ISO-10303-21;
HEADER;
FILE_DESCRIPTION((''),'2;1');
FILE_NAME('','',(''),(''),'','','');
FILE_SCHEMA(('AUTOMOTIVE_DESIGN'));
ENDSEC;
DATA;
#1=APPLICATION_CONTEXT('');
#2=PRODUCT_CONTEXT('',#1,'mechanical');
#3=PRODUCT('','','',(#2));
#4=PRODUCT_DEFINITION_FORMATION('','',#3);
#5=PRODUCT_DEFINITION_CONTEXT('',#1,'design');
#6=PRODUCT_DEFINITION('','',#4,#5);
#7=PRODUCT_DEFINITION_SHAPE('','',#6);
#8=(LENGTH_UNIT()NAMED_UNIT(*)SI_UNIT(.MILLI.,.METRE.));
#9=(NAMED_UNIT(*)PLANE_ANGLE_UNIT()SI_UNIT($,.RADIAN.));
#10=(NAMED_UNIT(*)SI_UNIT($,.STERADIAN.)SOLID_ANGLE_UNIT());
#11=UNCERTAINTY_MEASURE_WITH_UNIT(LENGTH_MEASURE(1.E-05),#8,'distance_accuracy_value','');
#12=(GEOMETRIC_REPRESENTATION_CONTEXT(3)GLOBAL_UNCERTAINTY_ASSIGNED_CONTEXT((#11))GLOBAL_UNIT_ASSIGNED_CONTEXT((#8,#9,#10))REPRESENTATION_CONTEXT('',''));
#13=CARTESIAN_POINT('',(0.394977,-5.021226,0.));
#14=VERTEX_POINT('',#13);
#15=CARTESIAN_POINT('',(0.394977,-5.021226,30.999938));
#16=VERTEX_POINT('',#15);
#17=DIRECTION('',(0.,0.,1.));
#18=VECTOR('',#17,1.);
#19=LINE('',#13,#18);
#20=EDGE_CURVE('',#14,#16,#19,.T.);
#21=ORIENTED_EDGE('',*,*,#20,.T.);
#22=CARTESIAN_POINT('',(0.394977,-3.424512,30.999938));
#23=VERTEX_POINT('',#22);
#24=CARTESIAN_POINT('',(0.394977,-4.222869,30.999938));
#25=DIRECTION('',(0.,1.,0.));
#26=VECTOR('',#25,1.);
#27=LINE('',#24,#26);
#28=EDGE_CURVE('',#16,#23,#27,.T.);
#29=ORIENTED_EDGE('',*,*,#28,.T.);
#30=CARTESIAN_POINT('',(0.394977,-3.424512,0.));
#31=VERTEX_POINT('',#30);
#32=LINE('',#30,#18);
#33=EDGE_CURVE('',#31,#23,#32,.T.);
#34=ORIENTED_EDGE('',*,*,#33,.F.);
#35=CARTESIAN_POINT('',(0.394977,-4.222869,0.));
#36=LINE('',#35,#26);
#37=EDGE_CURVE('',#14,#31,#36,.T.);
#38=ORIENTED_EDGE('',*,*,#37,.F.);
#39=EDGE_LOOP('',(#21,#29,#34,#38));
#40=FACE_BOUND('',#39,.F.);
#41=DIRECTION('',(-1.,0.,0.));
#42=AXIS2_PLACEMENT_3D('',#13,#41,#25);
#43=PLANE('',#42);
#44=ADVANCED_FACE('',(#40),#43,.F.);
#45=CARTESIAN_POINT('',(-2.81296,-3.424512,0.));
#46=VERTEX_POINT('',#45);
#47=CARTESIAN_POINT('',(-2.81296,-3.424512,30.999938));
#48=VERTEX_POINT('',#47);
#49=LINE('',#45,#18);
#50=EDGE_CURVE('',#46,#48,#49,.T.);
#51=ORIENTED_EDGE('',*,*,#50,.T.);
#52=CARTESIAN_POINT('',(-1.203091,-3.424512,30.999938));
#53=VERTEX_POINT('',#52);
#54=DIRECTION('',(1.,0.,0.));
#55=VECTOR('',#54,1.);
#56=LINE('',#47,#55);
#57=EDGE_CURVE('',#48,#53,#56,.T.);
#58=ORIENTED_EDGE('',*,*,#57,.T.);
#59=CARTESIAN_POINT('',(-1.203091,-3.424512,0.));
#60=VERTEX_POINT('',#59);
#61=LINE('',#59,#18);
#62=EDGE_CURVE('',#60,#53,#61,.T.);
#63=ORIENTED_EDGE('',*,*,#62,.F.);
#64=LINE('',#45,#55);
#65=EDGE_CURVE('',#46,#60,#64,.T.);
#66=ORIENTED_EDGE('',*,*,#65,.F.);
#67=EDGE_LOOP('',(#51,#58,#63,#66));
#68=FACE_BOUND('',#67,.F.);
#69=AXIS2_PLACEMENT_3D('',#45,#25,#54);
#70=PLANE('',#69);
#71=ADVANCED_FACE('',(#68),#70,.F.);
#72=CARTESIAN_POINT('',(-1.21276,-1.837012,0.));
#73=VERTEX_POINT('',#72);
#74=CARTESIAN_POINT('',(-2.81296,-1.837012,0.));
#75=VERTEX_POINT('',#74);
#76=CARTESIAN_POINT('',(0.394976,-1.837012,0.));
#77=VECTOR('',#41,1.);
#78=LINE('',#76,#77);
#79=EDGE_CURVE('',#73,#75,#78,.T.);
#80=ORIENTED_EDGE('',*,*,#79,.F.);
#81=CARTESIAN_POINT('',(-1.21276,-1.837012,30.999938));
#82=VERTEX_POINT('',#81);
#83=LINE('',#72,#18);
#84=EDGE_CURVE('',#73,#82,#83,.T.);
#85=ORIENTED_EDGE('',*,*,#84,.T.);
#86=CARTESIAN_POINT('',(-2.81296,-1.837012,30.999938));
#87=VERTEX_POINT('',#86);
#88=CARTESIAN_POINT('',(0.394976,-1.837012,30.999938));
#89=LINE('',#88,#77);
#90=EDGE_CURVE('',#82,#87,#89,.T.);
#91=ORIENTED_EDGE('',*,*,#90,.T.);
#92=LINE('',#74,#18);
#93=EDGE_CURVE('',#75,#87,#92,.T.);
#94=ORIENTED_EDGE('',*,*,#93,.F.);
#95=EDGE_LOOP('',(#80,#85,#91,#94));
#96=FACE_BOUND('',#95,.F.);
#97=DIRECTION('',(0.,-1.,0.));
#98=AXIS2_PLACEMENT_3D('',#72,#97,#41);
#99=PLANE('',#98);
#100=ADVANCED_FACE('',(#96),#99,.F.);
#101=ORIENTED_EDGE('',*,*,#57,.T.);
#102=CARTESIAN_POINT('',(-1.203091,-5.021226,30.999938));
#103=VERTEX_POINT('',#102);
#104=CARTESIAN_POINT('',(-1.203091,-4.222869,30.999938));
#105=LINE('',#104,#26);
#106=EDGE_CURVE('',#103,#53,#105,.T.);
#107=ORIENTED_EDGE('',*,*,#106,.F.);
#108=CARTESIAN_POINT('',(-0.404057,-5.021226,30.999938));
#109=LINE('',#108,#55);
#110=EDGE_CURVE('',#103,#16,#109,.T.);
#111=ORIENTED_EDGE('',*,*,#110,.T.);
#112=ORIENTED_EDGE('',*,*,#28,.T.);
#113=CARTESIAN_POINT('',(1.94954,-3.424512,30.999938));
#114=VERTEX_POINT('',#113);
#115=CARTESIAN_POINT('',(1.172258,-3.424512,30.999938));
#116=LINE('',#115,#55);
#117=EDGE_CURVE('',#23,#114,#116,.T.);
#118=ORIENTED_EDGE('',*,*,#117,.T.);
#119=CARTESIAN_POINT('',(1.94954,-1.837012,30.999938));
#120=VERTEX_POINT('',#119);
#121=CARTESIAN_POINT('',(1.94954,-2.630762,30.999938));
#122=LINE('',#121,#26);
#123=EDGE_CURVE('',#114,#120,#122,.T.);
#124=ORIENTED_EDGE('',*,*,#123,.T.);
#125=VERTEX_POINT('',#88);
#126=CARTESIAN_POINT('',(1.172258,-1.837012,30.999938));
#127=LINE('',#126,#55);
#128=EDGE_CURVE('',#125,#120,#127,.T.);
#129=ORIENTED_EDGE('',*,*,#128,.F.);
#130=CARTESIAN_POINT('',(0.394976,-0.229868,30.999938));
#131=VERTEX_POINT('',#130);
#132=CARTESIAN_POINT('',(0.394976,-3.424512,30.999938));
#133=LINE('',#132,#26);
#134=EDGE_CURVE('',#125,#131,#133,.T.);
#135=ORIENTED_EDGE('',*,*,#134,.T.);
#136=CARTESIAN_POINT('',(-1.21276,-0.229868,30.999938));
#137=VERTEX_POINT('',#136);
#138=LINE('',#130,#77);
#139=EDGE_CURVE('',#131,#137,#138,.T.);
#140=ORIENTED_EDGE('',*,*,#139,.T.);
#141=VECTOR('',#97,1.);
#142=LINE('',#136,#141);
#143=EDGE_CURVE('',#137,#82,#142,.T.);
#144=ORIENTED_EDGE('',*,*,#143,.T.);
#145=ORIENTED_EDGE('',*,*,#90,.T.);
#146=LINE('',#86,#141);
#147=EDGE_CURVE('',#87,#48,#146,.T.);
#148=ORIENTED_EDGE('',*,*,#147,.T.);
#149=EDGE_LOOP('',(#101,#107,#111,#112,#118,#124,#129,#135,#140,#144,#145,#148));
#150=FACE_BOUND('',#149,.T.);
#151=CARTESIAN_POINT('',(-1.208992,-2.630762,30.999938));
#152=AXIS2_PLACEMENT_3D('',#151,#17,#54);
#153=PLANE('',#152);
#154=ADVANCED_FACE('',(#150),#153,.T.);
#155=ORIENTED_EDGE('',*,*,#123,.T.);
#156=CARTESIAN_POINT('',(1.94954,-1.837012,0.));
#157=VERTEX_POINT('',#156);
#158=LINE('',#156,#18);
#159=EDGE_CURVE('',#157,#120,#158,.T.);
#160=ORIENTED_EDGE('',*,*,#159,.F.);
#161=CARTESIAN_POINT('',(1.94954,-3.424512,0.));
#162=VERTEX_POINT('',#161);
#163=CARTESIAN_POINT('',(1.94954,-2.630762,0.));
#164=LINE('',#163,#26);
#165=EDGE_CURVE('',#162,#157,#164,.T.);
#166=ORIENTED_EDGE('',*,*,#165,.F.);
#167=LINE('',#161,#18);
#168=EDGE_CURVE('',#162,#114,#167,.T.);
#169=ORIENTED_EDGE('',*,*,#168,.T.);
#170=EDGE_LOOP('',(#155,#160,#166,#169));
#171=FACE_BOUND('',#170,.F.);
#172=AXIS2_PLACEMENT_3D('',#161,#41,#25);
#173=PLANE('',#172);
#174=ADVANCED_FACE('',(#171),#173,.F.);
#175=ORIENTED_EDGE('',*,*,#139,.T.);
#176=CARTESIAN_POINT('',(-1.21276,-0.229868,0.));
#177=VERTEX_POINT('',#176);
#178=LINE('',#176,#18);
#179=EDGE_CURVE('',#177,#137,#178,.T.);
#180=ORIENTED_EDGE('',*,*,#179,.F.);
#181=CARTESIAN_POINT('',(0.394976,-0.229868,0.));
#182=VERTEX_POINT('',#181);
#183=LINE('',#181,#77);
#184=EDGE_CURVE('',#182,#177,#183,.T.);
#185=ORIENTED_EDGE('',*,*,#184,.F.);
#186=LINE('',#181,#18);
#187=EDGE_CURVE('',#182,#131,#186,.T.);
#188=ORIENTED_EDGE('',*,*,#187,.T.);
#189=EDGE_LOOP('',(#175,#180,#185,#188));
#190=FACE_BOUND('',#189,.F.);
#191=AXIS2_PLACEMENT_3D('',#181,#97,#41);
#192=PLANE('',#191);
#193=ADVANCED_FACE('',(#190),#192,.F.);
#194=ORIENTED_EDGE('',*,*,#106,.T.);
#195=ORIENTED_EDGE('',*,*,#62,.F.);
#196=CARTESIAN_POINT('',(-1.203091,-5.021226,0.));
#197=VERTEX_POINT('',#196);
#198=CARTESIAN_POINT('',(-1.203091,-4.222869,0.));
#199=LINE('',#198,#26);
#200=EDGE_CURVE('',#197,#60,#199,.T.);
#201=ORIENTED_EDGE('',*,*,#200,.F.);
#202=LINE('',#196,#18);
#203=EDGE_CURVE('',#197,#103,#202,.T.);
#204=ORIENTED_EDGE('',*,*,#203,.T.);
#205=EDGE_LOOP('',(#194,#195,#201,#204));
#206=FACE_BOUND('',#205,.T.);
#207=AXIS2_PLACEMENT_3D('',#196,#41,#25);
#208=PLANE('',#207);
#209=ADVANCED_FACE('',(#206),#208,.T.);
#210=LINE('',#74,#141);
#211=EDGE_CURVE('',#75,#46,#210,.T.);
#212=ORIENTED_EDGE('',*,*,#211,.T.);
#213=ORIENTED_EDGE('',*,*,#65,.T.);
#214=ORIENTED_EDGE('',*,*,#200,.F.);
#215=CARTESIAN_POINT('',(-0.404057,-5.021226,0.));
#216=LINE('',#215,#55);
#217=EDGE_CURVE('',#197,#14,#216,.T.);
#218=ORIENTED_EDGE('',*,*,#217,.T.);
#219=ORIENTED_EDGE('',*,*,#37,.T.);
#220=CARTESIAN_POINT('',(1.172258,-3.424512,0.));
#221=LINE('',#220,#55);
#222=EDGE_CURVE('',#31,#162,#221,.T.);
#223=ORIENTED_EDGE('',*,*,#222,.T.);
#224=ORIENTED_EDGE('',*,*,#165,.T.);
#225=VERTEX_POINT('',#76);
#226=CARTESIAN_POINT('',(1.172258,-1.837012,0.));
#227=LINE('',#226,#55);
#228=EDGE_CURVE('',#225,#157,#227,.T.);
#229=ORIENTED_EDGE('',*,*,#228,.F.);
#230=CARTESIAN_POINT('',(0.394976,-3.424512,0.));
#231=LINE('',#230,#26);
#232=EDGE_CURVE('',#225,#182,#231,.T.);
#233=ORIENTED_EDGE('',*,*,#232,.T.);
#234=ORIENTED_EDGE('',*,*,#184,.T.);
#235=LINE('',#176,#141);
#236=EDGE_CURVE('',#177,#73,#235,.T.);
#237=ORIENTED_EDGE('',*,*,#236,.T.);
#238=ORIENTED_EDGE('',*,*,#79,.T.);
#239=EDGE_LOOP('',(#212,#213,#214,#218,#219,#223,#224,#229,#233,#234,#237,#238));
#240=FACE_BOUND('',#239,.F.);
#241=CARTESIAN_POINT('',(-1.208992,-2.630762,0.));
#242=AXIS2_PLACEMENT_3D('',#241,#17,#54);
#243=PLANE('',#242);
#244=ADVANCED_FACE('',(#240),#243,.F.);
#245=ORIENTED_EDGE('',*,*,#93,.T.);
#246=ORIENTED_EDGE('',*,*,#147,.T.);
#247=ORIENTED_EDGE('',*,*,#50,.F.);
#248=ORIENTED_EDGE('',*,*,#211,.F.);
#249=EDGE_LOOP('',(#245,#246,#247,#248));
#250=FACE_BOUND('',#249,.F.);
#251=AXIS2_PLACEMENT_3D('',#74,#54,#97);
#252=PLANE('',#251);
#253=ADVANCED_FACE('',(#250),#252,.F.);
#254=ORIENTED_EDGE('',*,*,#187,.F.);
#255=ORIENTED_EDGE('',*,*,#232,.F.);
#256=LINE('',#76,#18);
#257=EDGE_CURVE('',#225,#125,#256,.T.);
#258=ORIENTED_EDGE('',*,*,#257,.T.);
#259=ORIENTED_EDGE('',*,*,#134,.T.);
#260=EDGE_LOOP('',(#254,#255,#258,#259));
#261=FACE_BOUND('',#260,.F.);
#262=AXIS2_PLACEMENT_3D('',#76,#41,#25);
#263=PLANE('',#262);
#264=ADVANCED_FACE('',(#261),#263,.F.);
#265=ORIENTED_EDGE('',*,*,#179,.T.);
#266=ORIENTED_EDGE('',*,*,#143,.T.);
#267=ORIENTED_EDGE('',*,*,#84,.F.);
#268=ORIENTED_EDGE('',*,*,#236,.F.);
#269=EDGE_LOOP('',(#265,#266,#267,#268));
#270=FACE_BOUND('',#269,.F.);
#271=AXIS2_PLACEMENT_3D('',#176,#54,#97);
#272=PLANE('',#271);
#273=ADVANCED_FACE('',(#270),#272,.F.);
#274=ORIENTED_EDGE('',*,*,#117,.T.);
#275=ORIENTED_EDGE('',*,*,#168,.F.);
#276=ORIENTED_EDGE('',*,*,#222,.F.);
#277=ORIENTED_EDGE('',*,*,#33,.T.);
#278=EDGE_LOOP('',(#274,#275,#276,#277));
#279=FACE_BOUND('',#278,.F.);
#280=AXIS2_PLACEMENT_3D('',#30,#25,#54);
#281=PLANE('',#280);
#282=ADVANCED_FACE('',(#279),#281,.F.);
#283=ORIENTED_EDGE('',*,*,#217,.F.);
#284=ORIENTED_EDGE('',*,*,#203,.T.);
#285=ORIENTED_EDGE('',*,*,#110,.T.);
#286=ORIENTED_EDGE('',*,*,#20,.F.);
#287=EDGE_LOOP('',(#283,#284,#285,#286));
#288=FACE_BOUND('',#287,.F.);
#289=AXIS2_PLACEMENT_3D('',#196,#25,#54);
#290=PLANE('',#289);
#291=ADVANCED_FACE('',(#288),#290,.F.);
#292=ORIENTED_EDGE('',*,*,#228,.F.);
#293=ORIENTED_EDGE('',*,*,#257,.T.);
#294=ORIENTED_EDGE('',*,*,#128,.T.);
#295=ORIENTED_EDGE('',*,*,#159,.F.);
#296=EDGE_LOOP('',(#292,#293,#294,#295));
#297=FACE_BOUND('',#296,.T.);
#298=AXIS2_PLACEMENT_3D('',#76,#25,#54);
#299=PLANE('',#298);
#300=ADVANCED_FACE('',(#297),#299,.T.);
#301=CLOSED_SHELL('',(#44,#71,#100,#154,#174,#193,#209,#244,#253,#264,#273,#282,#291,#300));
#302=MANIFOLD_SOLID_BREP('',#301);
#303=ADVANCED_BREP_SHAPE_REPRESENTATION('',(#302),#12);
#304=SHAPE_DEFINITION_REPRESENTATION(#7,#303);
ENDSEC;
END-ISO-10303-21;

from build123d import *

# Parameters (mm, degrees)
F0_W     = 1.598067
F0_H     = 1.596714
F0_W_2   = 1.554564
F0_H_2   = 1.5875
F1_DEPTH = 30.999938


with BuildPart() as f1:
    # F0 (on Top) → F1 (new body)
    with BuildSketch(Plane.XY):
        Polygon((-1.21276, -1.837012), (-2.81296, -1.837012), (-2.81296, -3.424512), (-1.203091, -3.424512), (0.394976, -3.424512), (0.394976, -1.837012), (0.34934, -1.837012), align=None)
        Polygon((-1.21276, -0.229868), (-1.21276, -1.837012), (0.34934, -1.837012), (0.394976, -1.837012), (0.394976, -0.229868), align=None)
        with Locations((-0.404057, -4.222869)):
            Rectangle(F0_W, F0_H)
        with Locations((1.172258, -2.630762)):
            Rectangle(F0_W_2, F0_H_2)
    extrude(amount=F1_DEPTH)


solid = f1.part
